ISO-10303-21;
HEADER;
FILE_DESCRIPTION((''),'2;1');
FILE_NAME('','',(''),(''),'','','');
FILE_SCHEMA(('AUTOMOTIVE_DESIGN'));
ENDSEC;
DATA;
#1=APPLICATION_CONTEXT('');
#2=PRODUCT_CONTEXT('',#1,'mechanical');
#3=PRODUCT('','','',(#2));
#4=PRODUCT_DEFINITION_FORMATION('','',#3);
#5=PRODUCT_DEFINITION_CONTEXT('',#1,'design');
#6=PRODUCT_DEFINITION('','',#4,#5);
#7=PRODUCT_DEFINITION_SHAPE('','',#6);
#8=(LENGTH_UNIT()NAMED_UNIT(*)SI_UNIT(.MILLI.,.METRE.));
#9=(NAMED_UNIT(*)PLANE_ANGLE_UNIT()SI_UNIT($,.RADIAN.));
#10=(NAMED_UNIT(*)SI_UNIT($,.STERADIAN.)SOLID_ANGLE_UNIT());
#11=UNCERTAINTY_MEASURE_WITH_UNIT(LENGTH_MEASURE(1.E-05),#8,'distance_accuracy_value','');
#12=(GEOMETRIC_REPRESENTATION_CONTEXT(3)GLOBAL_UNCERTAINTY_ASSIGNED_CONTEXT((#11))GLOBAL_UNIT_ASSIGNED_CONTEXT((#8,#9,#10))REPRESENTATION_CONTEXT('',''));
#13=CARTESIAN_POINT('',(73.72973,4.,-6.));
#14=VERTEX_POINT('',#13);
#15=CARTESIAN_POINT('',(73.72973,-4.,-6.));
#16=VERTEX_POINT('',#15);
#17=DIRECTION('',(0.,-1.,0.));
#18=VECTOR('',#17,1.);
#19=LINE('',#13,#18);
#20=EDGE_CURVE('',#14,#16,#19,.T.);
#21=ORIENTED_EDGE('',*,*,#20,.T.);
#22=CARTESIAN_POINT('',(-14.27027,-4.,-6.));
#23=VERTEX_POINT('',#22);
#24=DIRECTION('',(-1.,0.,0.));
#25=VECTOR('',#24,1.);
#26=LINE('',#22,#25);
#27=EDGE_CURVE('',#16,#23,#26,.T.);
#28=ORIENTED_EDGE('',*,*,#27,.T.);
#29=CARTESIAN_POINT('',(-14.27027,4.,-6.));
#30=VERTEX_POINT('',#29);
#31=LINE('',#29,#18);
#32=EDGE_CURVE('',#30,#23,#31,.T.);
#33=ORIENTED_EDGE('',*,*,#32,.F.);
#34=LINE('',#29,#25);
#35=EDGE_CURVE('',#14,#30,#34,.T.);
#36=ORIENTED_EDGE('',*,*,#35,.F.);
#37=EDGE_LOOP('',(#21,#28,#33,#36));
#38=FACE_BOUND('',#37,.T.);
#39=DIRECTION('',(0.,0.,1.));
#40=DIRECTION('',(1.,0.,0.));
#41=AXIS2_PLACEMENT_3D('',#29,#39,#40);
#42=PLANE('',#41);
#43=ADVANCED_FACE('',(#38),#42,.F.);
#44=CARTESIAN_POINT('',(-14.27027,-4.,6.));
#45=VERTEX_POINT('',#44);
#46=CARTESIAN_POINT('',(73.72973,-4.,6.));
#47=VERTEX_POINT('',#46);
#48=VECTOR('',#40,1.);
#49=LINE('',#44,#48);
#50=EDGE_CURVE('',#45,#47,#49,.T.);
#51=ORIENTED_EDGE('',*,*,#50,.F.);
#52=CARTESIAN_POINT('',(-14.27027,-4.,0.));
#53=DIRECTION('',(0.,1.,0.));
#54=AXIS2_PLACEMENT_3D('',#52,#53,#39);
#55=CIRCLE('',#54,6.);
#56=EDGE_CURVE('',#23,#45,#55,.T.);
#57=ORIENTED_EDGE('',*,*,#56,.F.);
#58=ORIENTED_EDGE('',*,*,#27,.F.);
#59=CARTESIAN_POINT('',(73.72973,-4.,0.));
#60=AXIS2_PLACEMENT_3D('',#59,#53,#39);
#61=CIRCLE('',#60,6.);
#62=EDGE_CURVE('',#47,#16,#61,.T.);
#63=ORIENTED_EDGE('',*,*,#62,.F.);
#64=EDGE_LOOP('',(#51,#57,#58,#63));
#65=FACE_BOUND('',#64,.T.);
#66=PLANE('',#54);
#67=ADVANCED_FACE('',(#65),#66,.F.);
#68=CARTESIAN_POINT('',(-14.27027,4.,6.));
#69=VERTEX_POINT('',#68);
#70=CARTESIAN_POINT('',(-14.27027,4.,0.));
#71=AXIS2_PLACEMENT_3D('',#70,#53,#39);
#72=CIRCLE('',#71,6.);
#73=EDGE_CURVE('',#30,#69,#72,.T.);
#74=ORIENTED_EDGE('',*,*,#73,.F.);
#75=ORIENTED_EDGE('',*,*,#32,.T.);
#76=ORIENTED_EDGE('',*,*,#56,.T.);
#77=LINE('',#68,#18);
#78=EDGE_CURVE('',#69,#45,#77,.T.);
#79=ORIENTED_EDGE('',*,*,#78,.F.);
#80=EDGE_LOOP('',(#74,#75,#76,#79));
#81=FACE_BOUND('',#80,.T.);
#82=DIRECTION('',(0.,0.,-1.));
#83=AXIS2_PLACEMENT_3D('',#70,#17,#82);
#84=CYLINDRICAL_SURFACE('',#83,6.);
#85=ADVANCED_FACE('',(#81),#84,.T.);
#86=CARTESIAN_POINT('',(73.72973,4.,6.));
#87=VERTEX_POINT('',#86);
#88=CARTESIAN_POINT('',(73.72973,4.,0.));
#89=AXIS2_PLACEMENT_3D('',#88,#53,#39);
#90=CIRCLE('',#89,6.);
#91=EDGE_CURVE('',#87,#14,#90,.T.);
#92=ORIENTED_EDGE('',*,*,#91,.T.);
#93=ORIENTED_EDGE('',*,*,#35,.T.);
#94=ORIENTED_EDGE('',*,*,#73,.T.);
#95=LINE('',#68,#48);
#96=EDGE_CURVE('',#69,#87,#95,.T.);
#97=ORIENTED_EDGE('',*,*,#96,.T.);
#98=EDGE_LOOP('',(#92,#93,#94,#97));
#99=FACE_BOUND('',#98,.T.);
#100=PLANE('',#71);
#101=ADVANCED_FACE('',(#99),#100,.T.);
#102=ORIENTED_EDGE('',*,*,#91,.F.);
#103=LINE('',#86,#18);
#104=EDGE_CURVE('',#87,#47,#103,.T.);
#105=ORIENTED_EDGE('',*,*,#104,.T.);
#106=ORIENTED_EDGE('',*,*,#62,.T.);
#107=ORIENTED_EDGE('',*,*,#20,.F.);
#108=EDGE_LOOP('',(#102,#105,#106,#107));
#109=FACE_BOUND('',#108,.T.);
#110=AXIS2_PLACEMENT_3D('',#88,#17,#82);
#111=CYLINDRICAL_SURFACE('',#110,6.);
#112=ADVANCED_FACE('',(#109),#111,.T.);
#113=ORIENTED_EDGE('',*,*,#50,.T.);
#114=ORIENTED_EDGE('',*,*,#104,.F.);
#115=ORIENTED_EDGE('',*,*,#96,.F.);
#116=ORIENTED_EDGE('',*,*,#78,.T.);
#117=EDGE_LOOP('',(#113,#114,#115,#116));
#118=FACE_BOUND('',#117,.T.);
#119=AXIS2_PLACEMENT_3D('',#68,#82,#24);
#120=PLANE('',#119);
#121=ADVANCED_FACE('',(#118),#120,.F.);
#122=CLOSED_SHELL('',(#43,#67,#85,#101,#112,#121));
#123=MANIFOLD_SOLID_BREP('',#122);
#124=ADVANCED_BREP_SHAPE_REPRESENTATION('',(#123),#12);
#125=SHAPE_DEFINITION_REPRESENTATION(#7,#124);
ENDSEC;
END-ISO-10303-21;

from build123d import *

# Parameters (mm, degrees)
BOSS_EXTRUDE1_DEPTH = 4


with BuildPart() as part:
    # Sketch1 → Boss-Extrude1 (new, symmetric)
    with BuildSketch(Plane(origin=(0, 0, 0), x_dir=(1, 0, 0), z_dir=(0, 1, 0))):
        with BuildLine():
            Line((-14.27027027, 6), (73.72972973, 6))
            ThreePointArc((73.72972973, 6), (79.72972973, 0), (73.72972973, -6))
            Line((73.72972973, -6), (-14.27027027, -6))
            ThreePointArc((-14.27027027, -6), (-20.27027027, 0), (-14.27027027, 6))
        make_face()
    extrude(amount=BOSS_EXTRUDE1_DEPTH, both=True)


solid = part.part
